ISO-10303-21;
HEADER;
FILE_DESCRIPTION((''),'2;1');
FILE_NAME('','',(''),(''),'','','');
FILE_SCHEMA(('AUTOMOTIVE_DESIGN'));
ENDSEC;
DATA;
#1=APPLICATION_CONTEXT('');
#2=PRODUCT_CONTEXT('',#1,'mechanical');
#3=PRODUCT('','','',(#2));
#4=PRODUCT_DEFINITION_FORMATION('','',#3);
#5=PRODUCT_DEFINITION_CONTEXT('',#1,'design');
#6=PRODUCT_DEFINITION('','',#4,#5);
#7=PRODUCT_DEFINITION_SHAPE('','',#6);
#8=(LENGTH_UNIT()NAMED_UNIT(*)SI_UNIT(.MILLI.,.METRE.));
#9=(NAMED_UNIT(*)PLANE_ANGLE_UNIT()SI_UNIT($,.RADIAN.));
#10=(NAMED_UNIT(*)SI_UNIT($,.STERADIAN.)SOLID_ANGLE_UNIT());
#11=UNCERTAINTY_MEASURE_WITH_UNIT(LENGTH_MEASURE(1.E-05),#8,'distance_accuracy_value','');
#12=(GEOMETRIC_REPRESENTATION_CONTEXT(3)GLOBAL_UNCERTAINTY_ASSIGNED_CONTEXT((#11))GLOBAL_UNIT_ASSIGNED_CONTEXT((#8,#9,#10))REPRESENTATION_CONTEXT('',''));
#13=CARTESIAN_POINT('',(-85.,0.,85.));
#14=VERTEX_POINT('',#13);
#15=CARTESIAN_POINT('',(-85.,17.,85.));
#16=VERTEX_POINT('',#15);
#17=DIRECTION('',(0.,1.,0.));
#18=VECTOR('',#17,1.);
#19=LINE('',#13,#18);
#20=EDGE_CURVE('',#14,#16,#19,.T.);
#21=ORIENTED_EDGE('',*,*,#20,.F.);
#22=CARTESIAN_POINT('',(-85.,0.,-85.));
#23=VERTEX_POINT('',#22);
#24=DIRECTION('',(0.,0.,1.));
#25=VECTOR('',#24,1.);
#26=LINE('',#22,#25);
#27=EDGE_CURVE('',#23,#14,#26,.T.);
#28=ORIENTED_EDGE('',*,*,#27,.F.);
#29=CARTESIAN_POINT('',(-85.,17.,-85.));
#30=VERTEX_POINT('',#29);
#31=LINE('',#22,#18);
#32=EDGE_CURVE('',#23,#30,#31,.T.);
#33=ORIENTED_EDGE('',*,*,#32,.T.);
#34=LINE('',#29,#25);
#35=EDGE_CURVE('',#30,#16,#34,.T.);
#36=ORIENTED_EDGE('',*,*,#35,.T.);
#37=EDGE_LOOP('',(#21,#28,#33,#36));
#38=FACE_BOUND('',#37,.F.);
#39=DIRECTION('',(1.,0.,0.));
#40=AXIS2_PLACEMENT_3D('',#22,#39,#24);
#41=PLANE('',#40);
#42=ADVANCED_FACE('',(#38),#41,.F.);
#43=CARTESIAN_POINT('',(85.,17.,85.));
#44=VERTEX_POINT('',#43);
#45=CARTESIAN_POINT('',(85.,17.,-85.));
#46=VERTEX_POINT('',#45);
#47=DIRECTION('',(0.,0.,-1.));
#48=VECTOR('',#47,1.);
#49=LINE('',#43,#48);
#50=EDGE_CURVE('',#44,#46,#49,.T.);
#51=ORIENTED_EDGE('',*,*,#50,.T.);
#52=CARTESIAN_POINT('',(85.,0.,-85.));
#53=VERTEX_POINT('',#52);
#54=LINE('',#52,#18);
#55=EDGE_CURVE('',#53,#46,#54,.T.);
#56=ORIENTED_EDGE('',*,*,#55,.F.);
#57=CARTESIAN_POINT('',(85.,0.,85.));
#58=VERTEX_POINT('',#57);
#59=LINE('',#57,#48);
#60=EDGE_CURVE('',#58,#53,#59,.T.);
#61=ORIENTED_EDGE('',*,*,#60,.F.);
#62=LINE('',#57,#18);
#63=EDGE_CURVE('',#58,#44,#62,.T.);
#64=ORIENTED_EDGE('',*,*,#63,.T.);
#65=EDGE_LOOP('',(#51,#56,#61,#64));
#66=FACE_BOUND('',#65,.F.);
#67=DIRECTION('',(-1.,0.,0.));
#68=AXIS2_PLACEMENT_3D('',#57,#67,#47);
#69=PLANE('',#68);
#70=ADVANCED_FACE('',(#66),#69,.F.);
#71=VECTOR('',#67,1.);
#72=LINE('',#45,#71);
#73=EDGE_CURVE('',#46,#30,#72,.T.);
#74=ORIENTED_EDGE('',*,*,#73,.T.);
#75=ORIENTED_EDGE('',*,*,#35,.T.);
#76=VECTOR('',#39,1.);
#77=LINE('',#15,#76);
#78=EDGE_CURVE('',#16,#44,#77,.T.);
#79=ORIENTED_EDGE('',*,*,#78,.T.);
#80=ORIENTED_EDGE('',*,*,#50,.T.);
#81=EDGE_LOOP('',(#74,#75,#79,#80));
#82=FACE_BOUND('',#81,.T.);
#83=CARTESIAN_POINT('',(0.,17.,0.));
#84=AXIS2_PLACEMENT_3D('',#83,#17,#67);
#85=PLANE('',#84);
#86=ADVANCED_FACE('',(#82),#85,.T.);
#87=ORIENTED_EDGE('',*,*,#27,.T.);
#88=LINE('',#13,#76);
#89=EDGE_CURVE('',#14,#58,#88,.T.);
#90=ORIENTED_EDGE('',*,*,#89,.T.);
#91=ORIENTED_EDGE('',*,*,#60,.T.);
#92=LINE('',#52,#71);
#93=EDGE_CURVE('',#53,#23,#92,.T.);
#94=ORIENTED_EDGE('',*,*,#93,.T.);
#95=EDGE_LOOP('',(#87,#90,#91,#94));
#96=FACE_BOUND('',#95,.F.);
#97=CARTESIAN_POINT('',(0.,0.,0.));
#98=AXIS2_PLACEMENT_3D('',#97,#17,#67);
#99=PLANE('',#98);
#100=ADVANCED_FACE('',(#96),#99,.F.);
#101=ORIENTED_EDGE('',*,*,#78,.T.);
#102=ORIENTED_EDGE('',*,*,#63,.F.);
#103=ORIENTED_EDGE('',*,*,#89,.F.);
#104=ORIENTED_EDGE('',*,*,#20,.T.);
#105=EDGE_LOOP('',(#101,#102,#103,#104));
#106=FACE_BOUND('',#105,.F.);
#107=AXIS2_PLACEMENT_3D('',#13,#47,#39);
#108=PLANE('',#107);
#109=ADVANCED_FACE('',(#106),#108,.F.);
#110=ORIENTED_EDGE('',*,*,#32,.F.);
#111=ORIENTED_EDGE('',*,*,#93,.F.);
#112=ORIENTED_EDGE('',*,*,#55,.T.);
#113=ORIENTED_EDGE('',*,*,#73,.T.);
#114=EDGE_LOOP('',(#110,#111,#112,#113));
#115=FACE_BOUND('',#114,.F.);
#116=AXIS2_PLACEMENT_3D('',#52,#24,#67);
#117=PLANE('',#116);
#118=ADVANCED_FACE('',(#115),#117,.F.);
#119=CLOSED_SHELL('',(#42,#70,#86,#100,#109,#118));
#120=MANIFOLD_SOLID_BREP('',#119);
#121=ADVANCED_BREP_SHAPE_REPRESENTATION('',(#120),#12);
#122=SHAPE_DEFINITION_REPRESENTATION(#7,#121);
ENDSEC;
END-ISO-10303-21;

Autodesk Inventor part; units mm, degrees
ref_plane "YZ Plane" through (0, 0, 0) normal (1, 0, 0) x (0, 1, 0)
ref_plane "XZ Plane" through (0, 0, 0) normal (0, 1, 0) x (-1, 0, 0)
ref_plane "XY Plane" through (0, 0, 0) normal (0, 0, 1) x (1, 0, 0)
sketch "Sketch1" plane through (0, 0, 0) normal (0, 1, 0) x (-1, 0, 0)
  line L0 (85, 85) -> (-85, 85)
  line L1 (-85, 85) -> (-85, -85)
  line L2 (-85, -85) -> (85, -85)
  line L3 (85, -85) -> (85, 85)
  point P0 (0, 0)
  point P1 (85, 0)
  point P2 (0, -85)
  dimension "d0" = 170
  dimension "d1" = 170
extrude "Extrusion1" add sketch "Sketch1" along normal blind 17
properties part number "mini-itx"
